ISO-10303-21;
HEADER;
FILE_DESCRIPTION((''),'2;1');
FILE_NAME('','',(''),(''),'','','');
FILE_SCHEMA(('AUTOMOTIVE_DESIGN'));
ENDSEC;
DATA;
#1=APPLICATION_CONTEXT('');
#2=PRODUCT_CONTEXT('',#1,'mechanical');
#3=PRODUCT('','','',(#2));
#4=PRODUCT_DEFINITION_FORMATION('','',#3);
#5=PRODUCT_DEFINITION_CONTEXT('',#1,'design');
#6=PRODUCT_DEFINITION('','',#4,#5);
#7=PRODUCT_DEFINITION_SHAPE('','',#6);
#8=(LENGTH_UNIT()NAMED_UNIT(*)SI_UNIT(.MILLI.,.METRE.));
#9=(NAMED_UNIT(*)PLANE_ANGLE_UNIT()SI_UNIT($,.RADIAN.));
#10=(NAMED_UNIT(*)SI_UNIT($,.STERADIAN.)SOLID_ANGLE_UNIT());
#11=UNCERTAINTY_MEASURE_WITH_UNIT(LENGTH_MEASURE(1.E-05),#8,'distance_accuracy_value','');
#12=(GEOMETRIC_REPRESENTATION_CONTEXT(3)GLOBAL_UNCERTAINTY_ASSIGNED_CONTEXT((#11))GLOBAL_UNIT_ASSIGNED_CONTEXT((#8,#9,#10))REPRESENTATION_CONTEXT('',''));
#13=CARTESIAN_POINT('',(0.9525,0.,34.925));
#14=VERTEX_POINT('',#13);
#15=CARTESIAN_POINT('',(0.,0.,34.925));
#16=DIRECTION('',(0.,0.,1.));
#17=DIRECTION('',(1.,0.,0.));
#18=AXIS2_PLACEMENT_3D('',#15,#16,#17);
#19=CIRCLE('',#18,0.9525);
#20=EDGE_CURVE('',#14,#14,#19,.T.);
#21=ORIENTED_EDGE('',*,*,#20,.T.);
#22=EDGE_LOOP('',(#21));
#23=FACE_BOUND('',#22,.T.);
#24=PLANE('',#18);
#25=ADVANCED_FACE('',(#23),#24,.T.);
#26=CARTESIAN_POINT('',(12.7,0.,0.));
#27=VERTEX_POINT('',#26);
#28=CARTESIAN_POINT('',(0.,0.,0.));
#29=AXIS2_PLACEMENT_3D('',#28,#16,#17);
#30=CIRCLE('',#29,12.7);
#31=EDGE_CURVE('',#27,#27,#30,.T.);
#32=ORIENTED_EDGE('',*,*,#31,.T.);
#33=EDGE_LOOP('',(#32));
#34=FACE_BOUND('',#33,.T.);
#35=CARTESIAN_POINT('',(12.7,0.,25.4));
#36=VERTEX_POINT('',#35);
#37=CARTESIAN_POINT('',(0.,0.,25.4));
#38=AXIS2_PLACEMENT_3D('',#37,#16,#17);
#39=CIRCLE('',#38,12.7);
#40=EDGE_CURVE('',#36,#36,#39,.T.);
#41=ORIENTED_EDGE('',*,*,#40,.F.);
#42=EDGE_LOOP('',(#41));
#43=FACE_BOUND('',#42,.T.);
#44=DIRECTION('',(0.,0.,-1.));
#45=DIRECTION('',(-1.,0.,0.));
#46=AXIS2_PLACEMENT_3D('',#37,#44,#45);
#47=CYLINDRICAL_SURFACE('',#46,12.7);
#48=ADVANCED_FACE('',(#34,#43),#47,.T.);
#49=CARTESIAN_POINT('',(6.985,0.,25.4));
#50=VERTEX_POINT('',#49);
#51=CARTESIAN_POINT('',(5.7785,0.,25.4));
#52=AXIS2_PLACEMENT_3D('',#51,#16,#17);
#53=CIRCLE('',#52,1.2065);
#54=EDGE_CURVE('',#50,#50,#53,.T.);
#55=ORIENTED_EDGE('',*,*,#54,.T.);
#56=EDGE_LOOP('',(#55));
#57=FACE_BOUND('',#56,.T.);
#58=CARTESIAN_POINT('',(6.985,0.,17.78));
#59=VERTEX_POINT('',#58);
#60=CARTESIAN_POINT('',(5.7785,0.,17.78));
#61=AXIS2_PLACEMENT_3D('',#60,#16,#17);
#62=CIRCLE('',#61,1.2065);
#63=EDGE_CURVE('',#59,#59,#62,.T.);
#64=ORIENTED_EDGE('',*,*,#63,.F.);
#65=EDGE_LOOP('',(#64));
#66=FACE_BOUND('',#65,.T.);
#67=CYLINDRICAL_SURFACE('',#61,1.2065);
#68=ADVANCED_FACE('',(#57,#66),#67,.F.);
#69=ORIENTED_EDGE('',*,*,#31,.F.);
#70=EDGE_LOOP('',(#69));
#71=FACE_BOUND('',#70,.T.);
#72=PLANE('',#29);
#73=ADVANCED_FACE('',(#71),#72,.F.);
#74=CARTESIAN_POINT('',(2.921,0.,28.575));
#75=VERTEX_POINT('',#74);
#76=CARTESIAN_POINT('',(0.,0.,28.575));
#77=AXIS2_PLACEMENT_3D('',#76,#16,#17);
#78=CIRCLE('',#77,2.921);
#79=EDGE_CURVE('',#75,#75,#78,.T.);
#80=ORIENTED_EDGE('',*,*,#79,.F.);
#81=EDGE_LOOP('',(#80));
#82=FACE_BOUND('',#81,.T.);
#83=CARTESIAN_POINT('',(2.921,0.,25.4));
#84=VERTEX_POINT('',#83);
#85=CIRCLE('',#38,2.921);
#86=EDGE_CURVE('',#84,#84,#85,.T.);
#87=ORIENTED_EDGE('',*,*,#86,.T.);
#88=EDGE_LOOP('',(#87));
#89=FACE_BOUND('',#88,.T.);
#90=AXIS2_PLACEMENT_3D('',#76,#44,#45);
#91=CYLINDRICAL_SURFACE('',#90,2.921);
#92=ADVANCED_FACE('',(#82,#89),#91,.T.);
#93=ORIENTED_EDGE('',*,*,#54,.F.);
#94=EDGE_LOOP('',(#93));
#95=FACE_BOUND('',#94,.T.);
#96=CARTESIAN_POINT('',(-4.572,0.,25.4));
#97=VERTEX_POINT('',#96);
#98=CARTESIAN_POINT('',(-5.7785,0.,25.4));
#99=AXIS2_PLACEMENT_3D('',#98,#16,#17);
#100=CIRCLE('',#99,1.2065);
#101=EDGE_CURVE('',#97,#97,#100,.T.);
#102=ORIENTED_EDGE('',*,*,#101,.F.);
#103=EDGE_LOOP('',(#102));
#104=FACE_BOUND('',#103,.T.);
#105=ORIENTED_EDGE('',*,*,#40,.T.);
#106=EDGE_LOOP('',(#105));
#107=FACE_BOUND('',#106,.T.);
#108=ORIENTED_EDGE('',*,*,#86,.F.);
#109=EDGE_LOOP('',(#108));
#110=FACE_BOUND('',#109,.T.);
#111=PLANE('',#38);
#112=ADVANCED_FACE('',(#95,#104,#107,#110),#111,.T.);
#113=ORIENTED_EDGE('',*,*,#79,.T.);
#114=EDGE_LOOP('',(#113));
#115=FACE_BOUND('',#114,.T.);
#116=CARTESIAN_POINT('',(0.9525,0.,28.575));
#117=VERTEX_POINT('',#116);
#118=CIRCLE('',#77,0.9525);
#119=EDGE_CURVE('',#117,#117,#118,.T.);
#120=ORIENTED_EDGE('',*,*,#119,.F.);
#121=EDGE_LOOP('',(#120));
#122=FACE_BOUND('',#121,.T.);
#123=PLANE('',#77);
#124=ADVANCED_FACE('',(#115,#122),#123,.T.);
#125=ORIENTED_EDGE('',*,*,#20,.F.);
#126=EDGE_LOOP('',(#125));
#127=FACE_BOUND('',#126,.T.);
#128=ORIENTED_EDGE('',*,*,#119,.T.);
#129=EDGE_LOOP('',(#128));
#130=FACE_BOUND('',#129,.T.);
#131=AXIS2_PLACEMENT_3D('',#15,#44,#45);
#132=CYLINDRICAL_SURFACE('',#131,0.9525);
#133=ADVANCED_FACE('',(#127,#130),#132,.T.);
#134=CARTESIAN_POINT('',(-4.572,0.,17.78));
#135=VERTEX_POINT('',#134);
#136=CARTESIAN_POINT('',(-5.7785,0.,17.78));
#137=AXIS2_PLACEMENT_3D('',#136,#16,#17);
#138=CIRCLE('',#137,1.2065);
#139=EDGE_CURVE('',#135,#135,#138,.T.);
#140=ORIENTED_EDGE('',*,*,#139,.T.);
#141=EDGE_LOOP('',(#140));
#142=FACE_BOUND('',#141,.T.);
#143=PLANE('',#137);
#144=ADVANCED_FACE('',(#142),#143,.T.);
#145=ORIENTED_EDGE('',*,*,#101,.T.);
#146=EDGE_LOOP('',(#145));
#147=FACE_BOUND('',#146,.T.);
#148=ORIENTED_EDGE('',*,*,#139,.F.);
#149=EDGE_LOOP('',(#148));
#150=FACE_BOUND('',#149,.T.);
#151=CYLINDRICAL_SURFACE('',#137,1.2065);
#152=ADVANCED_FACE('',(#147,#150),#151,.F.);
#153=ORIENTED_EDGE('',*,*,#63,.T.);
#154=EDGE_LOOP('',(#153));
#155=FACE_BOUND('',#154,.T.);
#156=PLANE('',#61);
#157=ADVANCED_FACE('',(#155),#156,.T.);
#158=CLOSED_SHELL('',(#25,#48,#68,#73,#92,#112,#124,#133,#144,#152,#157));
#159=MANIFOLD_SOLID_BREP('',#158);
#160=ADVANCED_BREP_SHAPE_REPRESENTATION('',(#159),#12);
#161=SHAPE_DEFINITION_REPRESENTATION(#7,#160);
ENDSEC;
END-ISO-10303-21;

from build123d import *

# Parameters (mm, degrees)
SKETCH1_R           = 12.7
BOSS_EXTRUDE1_DEPTH = 25.4
SKETCH2_R           = 2.921
BOSS_EXTRUDE2_DEPTH = 3.175
SKETCH4_R           = 1.2065
CUT_EXTRUDE1_DEPTH  = 7.62
SKETCH6_R           = 0.9525
BOSS_EXTRUDE3_DEPTH = 6.35


with BuildPart() as part:
    # Sketch1 → Boss-Extrude1 (new body)
    with BuildSketch(Plane.XY):
        Circle(SKETCH1_R)
    extrude(amount=BOSS_EXTRUDE1_DEPTH)

    # Sketch2 → Boss-Extrude2 (add)
    with BuildSketch(Plane.XY.offset(25.4)):
        Circle(SKETCH2_R)
    extrude(amount=BOSS_EXTRUDE2_DEPTH)

    # Sketch4 → Cut-Extrude1 (cut)
    with BuildSketch(Plane.XY.offset(25.4)):
        with Locations((-5.7785, 0)):
            Circle(SKETCH4_R)
        with Locations((5.7785, 0)):
            Circle(SKETCH4_R)
    extrude(amount=-CUT_EXTRUDE1_DEPTH, mode=Mode.SUBTRACT)

    # Sketch6 → Boss-Extrude3 (add)
    with BuildSketch(Plane.XY.offset(28.575)):
        Circle(SKETCH6_R)
    extrude(amount=BOSS_EXTRUDE3_DEPTH)


solid = part.part
